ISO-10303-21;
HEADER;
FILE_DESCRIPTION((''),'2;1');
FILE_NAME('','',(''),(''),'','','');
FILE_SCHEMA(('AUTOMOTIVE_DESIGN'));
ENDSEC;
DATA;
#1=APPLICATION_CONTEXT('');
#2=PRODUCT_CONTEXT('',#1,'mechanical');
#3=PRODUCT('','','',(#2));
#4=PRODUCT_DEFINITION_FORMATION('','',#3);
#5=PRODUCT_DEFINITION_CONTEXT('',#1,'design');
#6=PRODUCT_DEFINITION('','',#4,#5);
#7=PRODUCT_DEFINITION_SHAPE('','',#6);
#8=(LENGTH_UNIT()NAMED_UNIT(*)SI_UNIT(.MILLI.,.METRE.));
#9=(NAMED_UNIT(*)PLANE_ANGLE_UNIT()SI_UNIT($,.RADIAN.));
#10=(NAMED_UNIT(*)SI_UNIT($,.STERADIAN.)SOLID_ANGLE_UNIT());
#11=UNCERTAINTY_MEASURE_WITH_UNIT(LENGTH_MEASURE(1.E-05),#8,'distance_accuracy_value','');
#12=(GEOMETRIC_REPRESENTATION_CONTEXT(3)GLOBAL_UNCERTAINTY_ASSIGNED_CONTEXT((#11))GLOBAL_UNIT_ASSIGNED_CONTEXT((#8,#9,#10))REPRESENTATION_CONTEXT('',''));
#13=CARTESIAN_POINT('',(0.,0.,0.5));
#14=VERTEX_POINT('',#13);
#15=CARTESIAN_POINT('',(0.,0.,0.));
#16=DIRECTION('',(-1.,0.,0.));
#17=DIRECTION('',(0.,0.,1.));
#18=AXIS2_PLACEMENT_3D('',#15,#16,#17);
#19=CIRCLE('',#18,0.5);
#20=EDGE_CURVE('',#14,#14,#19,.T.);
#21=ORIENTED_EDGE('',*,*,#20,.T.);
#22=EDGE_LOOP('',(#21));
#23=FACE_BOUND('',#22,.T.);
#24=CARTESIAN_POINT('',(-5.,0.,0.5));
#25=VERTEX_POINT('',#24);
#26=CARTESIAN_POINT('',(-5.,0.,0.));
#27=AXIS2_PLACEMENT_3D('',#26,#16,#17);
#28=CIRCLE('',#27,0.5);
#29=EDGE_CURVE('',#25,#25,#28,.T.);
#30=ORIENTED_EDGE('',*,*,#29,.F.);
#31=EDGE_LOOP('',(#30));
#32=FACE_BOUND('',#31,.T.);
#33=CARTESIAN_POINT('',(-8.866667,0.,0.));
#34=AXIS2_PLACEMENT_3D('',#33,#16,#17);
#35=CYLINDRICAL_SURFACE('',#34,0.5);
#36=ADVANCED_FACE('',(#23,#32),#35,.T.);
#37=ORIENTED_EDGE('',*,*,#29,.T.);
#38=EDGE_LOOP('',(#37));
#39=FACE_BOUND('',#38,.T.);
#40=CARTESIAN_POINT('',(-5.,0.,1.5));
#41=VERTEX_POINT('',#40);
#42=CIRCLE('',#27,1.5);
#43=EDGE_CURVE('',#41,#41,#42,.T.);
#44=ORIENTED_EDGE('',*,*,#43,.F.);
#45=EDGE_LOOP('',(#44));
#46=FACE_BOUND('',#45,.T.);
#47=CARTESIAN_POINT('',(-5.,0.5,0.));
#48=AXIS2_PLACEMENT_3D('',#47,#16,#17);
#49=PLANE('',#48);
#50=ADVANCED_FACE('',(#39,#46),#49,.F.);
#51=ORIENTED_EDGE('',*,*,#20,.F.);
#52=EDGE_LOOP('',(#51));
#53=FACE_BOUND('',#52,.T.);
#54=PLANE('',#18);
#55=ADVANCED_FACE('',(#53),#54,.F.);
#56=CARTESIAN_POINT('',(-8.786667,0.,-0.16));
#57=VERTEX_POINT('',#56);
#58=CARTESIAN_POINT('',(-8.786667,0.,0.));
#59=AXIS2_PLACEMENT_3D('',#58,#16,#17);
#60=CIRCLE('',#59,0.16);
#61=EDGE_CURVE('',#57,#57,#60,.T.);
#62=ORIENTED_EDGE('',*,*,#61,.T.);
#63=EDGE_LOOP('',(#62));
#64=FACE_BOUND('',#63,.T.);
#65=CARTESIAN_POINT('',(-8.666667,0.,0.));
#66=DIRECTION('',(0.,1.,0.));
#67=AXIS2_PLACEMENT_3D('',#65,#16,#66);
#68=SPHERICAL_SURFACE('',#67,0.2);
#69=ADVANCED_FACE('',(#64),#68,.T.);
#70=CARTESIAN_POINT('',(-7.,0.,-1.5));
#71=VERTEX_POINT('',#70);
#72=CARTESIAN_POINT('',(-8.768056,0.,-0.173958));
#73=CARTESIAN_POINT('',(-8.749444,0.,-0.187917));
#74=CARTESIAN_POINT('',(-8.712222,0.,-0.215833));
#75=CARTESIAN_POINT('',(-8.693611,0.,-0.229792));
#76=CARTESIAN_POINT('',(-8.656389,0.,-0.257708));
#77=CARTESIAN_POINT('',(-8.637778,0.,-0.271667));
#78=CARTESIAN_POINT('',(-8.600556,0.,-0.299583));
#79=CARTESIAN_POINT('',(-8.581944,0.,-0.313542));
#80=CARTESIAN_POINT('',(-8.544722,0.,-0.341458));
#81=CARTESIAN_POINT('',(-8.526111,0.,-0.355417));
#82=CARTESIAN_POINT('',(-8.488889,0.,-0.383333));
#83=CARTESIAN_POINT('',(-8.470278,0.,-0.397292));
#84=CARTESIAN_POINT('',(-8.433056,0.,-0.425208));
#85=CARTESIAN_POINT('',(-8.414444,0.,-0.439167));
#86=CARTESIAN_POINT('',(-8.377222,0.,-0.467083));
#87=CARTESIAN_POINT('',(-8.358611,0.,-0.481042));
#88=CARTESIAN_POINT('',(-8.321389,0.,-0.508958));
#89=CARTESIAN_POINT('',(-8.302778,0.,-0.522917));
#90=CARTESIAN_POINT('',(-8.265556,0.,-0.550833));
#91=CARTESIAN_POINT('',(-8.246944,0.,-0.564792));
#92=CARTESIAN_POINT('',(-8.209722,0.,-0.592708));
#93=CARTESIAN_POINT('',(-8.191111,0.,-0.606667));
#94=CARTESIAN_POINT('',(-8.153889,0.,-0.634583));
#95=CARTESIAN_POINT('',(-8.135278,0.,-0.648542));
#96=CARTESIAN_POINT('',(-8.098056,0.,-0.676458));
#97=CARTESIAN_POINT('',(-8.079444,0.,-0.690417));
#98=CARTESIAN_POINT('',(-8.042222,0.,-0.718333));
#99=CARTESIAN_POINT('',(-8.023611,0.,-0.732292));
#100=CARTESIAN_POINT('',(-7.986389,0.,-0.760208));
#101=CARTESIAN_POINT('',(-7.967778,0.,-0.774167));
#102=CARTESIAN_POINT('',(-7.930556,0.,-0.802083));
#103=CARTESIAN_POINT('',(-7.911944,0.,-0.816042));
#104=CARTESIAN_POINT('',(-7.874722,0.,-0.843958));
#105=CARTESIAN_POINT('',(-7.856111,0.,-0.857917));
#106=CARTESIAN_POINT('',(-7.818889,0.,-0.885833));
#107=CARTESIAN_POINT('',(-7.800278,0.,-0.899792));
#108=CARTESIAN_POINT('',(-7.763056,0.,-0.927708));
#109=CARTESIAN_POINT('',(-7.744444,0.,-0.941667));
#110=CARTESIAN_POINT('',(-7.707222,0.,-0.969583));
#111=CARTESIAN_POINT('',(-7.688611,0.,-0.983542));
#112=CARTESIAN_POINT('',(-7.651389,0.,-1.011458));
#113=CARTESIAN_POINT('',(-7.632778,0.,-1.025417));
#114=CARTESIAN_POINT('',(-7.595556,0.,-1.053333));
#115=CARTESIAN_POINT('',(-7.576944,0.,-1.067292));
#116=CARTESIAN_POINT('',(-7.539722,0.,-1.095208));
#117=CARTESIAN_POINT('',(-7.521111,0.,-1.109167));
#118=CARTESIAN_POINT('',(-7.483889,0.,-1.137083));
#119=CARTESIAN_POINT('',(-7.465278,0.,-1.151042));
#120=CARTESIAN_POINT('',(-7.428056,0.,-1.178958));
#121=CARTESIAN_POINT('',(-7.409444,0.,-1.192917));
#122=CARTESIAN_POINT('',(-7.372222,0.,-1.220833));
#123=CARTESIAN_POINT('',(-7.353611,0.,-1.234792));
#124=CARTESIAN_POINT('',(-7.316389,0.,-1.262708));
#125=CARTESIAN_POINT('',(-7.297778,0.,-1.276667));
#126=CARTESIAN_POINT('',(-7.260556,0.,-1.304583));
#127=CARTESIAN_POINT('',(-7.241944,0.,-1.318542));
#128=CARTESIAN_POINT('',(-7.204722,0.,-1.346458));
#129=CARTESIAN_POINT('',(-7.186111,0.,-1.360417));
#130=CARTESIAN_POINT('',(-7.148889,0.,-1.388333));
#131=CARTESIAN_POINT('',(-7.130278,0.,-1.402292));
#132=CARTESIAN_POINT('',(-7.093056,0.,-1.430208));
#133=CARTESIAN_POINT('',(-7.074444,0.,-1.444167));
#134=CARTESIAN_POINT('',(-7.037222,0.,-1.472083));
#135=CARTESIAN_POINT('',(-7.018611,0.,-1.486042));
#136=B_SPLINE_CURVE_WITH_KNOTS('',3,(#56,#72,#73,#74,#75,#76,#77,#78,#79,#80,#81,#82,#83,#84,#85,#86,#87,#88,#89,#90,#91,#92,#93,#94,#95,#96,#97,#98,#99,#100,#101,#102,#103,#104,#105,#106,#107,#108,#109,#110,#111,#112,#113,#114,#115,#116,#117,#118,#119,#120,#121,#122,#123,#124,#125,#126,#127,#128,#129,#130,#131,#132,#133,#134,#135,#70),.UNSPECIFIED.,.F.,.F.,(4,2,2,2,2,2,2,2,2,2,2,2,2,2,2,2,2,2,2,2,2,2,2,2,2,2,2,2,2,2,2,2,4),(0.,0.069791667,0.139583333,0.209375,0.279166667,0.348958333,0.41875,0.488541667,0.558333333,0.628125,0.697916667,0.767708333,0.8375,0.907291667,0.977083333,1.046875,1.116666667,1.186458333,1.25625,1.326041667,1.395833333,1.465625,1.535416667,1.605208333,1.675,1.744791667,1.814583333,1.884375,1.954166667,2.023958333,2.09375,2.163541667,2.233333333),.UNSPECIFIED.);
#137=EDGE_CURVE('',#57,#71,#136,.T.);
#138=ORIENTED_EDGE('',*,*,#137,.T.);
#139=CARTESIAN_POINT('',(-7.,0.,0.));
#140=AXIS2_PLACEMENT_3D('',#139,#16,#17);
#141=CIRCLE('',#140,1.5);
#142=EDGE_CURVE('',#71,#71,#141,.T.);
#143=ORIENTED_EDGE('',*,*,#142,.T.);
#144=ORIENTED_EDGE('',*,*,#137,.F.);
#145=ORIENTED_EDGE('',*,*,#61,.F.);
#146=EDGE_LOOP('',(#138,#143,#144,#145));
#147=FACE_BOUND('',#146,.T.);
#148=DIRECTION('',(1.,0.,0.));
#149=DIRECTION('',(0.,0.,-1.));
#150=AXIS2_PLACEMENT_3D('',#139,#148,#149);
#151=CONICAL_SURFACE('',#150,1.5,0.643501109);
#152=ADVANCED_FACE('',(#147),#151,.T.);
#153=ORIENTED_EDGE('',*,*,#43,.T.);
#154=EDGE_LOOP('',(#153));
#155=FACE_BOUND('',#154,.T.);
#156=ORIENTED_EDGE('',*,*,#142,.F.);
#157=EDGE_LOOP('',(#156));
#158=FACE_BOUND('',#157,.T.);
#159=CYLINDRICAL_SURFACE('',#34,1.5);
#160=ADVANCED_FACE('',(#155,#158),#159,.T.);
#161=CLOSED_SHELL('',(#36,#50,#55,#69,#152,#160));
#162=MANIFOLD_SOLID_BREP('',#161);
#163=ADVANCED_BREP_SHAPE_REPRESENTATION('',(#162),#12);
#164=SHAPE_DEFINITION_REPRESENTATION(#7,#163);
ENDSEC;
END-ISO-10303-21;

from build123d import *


with BuildPart() as part:
    # Sketch1 → Revolve1 (revolve)
    with BuildSketch(Plane.XY):
        with BuildLine():
            Line((0, 0), (0, 0.5))
            Line((0, 0.5), (-5, 0.5))
            Line((-5, 0.5), (-5, 1.5))
            Line((-5, 1.5), (-7, 1.5))
            Line((-7, 1.5), (-8.786666667, 0.16))
            ThreePointArc((-8.786666667, 0.16), (-8.845552105, 0.089442719), (-8.866666667, 0))
            Line((-8.866666667, 0), (0, 0))
        make_face()
    revolve(axis=Axis((-8.866666667, 0, 0), (1, 0, 0)))


solid = part.part
